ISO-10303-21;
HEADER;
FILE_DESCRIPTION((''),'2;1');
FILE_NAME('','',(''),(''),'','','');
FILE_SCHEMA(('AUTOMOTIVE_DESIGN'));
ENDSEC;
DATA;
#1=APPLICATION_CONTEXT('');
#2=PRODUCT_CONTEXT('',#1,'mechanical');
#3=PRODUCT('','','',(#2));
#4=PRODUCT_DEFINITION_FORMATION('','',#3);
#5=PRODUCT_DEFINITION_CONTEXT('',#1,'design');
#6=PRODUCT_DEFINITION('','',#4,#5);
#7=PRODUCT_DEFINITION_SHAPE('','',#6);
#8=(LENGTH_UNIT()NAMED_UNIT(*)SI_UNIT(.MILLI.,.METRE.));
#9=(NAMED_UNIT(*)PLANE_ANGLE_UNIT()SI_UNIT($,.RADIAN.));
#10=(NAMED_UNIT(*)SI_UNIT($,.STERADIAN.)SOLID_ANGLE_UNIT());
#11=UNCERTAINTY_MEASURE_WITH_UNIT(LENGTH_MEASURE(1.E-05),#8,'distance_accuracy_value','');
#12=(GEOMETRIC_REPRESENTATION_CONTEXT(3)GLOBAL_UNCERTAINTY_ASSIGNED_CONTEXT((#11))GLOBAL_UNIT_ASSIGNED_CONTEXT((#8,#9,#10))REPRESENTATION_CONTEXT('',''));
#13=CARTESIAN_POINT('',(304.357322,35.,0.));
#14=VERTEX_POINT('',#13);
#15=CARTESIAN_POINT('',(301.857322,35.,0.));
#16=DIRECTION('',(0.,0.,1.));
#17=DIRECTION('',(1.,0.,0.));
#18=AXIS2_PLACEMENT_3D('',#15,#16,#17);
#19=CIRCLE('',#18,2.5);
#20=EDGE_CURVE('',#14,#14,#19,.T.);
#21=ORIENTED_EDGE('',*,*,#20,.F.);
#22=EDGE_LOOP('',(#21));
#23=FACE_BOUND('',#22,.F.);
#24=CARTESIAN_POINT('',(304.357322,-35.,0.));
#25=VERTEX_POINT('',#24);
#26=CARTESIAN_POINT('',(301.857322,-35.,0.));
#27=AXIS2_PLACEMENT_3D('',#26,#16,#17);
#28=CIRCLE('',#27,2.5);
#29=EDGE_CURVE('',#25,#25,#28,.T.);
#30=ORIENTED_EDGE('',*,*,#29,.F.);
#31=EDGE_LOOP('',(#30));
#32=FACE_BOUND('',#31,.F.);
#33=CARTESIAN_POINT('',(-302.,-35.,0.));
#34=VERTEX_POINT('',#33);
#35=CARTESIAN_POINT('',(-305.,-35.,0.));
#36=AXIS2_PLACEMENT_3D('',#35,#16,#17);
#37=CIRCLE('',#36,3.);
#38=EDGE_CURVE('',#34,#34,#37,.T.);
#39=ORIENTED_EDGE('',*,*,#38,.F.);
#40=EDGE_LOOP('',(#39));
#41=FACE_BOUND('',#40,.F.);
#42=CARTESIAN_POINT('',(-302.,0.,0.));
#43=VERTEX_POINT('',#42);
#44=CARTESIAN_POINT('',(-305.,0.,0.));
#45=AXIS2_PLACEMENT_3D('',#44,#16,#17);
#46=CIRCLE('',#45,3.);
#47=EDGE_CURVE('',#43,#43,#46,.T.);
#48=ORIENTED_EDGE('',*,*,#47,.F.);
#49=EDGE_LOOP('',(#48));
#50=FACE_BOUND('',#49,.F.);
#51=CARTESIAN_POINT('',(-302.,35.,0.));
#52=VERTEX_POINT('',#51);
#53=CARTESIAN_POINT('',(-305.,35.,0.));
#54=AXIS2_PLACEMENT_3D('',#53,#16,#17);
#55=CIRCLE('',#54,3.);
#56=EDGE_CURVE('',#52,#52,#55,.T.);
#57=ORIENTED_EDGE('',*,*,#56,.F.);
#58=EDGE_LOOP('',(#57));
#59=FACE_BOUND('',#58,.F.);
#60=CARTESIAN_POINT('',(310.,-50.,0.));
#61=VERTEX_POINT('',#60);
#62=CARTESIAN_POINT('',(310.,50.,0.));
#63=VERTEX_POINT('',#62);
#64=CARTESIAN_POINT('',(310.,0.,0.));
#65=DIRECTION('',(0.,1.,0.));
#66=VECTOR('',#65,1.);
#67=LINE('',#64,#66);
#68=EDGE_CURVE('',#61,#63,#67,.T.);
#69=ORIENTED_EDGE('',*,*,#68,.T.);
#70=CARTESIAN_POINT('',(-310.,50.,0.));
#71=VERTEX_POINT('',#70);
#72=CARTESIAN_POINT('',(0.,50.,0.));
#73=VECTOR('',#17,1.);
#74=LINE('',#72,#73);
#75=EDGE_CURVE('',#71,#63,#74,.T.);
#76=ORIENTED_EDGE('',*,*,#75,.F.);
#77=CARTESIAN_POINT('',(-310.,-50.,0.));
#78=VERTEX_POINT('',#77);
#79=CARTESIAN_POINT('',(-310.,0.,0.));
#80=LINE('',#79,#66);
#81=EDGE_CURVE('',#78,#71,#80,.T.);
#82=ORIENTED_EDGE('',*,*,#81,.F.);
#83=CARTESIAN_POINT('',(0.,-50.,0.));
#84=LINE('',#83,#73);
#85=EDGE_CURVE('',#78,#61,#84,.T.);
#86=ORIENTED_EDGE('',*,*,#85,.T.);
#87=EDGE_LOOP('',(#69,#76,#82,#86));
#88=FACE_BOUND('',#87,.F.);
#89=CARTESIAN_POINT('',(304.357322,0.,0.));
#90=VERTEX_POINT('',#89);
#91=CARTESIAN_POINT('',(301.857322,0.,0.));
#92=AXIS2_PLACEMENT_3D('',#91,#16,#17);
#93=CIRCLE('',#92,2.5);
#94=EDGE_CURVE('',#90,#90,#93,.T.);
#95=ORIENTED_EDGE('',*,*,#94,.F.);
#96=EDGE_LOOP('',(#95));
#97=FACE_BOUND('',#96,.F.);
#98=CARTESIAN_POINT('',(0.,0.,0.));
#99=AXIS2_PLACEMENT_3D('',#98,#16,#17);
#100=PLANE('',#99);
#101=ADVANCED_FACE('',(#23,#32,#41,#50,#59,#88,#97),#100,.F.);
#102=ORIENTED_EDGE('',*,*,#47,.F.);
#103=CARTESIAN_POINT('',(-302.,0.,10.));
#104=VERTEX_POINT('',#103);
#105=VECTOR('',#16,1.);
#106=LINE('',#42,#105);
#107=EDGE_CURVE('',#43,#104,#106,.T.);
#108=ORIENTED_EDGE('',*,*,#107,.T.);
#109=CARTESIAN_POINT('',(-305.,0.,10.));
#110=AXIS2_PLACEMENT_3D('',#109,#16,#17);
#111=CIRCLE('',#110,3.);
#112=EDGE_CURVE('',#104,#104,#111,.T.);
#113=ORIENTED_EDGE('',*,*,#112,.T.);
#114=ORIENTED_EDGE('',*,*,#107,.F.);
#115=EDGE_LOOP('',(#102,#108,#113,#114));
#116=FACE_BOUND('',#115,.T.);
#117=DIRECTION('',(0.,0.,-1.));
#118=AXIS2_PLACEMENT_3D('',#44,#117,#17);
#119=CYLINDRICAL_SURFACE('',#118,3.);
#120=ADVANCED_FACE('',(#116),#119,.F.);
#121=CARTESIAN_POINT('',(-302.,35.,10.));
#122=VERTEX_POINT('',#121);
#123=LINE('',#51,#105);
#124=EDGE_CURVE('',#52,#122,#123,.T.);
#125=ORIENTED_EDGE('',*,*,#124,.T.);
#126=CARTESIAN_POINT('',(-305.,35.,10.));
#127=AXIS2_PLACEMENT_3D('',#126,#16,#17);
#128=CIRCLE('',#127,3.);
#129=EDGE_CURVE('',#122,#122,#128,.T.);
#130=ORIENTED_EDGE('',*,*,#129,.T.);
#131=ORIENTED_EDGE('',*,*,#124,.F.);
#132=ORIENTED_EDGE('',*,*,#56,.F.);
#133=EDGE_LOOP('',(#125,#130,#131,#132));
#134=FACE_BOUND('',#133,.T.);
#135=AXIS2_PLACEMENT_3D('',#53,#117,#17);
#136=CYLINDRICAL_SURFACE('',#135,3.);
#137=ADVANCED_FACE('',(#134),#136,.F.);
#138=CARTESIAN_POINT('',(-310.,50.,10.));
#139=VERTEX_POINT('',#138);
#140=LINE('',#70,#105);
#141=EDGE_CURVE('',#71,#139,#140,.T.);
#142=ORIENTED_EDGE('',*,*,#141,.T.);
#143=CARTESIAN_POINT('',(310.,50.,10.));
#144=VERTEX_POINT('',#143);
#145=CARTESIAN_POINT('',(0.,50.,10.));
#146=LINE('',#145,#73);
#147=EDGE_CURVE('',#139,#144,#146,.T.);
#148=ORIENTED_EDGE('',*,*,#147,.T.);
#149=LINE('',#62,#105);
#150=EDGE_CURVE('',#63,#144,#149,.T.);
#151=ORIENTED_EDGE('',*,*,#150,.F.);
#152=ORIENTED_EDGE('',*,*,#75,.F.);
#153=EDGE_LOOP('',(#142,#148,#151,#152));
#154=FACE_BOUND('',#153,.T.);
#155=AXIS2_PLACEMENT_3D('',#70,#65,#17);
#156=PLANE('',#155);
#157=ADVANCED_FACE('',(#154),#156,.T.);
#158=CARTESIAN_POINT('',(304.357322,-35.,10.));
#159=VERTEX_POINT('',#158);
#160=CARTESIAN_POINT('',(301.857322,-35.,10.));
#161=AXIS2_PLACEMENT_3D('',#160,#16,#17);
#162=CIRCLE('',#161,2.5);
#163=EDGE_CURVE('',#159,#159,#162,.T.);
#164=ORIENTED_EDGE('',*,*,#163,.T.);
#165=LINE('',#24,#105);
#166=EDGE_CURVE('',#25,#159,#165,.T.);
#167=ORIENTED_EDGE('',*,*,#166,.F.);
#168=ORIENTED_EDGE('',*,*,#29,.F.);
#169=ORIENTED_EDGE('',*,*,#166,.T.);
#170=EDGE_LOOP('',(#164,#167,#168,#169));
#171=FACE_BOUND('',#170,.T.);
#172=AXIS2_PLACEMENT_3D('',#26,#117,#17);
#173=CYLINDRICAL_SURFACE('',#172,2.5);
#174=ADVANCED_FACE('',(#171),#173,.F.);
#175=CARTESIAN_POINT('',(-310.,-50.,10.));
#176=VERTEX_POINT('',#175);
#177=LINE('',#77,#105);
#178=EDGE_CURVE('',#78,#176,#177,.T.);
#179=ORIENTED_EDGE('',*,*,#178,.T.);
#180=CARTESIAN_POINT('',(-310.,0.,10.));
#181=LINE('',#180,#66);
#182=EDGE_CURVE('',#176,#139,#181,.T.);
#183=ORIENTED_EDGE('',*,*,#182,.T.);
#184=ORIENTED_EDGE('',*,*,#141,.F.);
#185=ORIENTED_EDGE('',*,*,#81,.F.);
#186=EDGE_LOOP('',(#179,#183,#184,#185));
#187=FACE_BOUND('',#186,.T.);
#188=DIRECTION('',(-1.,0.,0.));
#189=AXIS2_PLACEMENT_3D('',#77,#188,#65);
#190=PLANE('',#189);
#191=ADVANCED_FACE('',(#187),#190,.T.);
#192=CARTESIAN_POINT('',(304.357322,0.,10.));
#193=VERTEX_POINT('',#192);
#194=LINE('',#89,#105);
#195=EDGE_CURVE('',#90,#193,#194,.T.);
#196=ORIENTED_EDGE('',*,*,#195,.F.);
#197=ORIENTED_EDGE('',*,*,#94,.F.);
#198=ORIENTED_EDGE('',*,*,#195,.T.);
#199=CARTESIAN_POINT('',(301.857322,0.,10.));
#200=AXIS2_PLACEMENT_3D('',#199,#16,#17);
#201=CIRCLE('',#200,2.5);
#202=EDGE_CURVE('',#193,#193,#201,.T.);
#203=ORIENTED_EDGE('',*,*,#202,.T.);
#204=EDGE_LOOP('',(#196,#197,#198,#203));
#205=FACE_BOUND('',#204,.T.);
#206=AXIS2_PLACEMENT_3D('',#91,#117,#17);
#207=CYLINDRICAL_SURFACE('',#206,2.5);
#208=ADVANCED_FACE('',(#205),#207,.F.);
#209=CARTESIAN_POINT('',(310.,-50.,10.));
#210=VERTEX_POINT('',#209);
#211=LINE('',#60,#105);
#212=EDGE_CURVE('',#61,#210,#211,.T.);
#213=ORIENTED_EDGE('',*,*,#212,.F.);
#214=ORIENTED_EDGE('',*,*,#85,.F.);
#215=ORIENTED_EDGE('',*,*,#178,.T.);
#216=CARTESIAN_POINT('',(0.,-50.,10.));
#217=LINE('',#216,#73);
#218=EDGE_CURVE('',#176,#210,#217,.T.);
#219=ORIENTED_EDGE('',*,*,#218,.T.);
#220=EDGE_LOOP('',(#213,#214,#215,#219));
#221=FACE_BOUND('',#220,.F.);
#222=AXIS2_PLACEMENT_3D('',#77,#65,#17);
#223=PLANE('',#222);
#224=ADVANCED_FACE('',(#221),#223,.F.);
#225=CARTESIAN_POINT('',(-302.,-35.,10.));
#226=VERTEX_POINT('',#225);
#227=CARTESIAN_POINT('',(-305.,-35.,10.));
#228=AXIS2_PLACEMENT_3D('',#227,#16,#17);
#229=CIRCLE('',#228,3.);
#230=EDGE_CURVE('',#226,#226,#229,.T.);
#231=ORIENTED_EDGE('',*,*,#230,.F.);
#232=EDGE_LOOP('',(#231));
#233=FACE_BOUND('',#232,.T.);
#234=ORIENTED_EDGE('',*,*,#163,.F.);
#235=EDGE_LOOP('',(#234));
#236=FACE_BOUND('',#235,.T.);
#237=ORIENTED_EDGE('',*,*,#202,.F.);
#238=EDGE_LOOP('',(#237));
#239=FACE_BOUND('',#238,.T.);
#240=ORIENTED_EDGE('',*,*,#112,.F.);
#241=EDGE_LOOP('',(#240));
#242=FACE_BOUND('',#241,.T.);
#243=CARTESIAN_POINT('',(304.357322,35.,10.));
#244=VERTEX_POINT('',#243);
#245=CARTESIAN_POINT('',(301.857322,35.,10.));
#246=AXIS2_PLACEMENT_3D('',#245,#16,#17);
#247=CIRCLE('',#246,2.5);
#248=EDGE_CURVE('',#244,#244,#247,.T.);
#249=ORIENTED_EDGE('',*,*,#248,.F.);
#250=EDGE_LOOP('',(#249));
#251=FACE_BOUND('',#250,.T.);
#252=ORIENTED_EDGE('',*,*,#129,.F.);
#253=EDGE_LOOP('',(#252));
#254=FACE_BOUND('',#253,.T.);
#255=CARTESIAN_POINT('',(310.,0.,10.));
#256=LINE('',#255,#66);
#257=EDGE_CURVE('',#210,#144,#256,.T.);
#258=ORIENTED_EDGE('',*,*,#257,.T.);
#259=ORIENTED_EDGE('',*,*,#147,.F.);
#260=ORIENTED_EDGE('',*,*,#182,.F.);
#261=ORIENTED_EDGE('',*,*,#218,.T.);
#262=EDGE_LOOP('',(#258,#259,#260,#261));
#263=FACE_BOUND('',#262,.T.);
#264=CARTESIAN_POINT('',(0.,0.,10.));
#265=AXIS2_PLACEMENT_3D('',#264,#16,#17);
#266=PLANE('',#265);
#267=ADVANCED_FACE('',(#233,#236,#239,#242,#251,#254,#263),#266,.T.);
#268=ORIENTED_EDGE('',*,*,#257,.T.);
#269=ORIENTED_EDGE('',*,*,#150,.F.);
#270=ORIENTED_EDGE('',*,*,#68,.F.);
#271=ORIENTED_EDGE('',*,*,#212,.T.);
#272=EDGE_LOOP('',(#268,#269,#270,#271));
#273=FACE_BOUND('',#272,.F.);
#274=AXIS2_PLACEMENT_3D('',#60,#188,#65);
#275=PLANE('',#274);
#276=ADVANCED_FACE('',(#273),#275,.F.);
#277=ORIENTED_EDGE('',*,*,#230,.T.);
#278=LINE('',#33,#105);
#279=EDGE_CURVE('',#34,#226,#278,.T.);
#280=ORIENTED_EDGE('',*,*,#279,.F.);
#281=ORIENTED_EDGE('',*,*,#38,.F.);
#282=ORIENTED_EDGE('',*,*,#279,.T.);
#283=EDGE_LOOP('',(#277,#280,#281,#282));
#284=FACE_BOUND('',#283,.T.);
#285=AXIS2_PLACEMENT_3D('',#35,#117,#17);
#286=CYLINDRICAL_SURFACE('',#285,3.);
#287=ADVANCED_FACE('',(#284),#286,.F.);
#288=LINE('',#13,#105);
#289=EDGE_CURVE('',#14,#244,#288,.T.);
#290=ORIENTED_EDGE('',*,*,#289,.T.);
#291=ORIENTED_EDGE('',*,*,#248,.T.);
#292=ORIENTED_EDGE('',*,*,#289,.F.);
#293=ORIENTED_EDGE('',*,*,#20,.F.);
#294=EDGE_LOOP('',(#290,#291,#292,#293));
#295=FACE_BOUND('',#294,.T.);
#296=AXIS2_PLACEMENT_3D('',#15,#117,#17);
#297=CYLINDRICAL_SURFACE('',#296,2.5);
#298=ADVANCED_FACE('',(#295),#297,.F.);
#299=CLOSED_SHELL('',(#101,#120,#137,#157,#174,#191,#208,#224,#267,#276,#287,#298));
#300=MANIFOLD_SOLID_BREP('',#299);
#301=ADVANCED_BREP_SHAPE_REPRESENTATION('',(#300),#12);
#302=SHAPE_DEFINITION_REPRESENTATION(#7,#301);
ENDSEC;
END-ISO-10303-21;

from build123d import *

# Parameters (mm, degrees)
F0_W     = 620
F0_H     = 100
F0_R     = 3
F0_R_2   = 2.5
F1_DEPTH = 10


with BuildPart() as f1:
    # F0 (on Top) → F1 (new body)
    with BuildSketch(Plane.XY):
        Rectangle(F0_W, F0_H)
        with Locations((-305, -35)):
            Circle(F0_R, mode=Mode.SUBTRACT)
        with Locations((301.857322, -35)):
            Circle(F0_R_2, mode=Mode.SUBTRACT)
        with Locations((-305, 0)):
            Circle(F0_R, mode=Mode.SUBTRACT)
        with Locations((-305, 35)):
            Circle(F0_R, mode=Mode.SUBTRACT)
        with Locations((301.857322, 0)):
            Circle(F0_R_2, mode=Mode.SUBTRACT)
        with Locations((301.857322, 35)):
            Circle(F0_R_2, mode=Mode.SUBTRACT)
    extrude(amount=F1_DEPTH)


solid = f1.part
